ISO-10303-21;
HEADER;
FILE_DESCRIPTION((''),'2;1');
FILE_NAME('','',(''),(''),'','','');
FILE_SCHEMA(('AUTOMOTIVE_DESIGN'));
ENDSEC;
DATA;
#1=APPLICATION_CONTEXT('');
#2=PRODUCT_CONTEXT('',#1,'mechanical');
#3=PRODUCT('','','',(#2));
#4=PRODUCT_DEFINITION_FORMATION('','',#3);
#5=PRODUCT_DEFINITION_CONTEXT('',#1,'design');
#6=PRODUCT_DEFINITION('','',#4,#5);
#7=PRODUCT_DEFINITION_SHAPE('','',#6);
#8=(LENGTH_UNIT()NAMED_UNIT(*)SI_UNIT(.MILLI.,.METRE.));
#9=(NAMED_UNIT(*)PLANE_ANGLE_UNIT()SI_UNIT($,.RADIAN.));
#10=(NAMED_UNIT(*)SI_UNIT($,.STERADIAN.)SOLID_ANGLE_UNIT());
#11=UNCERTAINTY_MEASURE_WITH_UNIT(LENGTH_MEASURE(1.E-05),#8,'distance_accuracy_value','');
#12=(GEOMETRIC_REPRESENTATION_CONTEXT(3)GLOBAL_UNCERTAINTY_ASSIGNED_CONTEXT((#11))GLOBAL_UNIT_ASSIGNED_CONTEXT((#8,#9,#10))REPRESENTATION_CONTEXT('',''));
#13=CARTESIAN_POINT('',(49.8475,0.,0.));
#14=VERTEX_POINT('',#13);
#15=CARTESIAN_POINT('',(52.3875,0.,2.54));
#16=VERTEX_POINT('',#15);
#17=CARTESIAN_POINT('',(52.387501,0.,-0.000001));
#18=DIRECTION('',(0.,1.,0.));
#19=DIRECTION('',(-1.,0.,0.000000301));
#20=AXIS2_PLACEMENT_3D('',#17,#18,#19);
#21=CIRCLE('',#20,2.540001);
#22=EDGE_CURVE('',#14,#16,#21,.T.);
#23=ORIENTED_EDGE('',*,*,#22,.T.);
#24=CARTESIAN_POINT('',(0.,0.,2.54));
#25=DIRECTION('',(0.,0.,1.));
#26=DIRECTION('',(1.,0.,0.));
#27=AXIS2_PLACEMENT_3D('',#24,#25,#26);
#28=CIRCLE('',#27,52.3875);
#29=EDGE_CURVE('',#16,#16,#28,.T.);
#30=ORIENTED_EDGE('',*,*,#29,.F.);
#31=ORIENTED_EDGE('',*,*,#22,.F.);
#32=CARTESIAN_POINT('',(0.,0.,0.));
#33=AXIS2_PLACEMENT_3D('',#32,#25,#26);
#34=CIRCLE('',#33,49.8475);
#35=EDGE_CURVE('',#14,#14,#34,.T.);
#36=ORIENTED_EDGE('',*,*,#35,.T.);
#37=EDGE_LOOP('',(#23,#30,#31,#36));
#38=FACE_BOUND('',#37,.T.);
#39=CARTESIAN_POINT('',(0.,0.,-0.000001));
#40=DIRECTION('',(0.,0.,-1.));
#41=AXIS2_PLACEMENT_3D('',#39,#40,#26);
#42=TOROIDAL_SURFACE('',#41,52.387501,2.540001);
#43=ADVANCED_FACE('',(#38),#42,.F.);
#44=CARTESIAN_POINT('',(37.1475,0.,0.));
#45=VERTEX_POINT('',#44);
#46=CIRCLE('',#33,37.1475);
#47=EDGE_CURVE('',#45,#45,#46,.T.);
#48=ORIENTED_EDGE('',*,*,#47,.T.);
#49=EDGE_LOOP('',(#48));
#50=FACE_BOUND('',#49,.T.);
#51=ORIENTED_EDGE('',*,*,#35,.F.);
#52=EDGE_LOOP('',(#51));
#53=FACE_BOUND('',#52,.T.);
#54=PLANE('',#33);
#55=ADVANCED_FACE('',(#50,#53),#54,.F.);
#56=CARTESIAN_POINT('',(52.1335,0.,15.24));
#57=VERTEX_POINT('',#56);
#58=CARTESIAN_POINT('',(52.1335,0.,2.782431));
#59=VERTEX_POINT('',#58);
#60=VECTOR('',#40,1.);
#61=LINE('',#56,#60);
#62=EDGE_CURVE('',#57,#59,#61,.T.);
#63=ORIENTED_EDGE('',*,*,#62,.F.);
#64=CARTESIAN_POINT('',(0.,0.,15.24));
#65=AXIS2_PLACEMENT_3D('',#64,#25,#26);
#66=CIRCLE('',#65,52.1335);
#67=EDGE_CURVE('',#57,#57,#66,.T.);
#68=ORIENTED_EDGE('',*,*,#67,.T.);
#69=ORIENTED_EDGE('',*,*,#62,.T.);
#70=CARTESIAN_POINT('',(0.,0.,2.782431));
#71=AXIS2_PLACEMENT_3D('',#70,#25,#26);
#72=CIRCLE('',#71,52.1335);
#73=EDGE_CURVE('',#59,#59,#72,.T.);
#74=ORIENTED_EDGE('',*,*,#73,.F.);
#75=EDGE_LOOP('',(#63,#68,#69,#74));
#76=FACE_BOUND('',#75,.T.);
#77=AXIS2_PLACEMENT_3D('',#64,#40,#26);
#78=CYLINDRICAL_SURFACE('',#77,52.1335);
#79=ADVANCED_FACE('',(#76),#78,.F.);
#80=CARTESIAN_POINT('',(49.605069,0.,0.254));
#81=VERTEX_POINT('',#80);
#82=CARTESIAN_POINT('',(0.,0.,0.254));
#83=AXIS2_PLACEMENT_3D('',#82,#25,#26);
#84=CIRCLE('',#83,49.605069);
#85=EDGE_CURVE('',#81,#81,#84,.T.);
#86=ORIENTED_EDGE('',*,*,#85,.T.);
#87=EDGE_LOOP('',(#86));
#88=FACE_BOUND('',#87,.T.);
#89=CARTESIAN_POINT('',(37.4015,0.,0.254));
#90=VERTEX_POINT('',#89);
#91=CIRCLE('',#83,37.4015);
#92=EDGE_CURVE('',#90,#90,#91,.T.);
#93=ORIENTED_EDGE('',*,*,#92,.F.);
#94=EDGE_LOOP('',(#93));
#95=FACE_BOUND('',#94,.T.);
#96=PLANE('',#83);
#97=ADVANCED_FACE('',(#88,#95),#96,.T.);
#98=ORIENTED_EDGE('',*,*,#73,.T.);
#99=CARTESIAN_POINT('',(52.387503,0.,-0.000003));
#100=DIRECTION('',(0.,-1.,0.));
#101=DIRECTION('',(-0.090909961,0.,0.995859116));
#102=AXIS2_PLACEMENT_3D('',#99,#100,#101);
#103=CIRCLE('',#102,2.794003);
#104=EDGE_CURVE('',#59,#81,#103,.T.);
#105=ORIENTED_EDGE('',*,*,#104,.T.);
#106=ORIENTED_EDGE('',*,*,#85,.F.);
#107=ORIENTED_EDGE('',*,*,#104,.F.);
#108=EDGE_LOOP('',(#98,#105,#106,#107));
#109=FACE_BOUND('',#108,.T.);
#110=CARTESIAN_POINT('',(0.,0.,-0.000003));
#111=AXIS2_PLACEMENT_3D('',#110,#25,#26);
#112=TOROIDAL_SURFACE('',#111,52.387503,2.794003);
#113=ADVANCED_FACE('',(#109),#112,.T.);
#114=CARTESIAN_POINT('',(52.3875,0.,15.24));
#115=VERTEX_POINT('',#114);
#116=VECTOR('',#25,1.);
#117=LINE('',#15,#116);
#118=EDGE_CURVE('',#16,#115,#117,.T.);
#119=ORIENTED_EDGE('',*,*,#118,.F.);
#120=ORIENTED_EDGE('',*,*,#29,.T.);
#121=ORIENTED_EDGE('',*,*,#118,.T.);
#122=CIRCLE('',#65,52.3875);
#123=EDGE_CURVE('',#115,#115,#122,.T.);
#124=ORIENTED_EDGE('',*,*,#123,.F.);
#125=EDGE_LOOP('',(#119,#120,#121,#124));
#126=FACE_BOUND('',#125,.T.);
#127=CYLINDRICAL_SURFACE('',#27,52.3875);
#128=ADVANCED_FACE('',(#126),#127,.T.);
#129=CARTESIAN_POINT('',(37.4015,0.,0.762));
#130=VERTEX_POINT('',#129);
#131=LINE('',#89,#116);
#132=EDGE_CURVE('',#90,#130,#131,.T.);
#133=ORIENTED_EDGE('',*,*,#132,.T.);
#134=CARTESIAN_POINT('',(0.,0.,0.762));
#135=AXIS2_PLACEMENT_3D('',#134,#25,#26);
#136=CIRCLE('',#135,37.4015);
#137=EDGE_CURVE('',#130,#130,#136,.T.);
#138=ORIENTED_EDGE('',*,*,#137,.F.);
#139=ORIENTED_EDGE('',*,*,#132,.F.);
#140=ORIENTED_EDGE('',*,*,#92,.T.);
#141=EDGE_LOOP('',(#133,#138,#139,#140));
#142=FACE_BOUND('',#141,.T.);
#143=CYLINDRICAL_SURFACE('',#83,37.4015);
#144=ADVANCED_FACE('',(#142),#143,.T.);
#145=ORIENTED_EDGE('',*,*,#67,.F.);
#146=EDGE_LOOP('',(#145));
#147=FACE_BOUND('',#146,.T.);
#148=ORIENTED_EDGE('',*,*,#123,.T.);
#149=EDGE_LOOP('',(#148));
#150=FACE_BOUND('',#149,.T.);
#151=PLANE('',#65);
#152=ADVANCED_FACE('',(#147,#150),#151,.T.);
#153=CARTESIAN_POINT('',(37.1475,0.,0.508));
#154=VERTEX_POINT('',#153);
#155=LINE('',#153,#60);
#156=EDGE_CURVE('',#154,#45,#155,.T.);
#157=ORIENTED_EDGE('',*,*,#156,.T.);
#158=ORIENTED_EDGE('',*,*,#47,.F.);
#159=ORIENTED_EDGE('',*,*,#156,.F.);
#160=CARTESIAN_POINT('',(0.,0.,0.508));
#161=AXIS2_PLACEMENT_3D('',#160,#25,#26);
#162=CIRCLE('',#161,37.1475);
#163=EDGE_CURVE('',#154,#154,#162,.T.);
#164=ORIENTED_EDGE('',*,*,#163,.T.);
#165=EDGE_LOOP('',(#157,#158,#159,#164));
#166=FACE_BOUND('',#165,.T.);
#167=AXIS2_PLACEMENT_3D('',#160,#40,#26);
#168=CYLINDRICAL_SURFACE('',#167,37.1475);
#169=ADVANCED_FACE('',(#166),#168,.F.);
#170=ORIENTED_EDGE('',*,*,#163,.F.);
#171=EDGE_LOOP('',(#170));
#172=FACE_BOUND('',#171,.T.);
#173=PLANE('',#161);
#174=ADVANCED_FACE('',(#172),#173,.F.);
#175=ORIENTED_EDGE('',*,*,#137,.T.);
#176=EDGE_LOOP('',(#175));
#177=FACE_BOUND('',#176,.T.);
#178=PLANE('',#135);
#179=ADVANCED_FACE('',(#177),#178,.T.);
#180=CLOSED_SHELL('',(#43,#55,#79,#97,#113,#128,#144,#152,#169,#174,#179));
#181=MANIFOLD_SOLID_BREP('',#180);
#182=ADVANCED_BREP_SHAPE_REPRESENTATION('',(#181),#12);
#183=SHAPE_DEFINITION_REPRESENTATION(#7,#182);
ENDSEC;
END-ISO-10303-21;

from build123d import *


with BuildPart() as f1:
    # F0 (on Front) → F1 (revolve)
    with BuildSketch(Plane.XZ):
        with BuildLine():
            Line((37.1475, 0.508), (37.1475, 0))
            Line((37.1475, 0), (49.8475, 0))
            ThreePointArc((49.8475, 0), (50.591449, 1.796051), (52.3875, 2.54))
            Line((52.3875, 2.54), (52.3875, 15.24))
            Line((52.3875, 15.24), (52.1335, 15.24))
            Line((52.1335, 15.24), (52.1335, 2.782431))
            ThreePointArc((52.1335, 2.782431), (50.411844, 1.975656), (49.605069, 0.254))
            Line((49.605069, 0.254), (37.4015, 0.254))
            Line((37.4015, 0.254), (37.4015, 0.762))
            Line((37.4015, 0.762), (0, 0.762))
            Line((0, 0.762), (0, 0.508))
            Line((0, 0.508), (37.1475, 0.508))
        make_face()
    revolve(axis=Axis((0, 0, 48.109709), (0, 0, 1)))


solid = f1.part
